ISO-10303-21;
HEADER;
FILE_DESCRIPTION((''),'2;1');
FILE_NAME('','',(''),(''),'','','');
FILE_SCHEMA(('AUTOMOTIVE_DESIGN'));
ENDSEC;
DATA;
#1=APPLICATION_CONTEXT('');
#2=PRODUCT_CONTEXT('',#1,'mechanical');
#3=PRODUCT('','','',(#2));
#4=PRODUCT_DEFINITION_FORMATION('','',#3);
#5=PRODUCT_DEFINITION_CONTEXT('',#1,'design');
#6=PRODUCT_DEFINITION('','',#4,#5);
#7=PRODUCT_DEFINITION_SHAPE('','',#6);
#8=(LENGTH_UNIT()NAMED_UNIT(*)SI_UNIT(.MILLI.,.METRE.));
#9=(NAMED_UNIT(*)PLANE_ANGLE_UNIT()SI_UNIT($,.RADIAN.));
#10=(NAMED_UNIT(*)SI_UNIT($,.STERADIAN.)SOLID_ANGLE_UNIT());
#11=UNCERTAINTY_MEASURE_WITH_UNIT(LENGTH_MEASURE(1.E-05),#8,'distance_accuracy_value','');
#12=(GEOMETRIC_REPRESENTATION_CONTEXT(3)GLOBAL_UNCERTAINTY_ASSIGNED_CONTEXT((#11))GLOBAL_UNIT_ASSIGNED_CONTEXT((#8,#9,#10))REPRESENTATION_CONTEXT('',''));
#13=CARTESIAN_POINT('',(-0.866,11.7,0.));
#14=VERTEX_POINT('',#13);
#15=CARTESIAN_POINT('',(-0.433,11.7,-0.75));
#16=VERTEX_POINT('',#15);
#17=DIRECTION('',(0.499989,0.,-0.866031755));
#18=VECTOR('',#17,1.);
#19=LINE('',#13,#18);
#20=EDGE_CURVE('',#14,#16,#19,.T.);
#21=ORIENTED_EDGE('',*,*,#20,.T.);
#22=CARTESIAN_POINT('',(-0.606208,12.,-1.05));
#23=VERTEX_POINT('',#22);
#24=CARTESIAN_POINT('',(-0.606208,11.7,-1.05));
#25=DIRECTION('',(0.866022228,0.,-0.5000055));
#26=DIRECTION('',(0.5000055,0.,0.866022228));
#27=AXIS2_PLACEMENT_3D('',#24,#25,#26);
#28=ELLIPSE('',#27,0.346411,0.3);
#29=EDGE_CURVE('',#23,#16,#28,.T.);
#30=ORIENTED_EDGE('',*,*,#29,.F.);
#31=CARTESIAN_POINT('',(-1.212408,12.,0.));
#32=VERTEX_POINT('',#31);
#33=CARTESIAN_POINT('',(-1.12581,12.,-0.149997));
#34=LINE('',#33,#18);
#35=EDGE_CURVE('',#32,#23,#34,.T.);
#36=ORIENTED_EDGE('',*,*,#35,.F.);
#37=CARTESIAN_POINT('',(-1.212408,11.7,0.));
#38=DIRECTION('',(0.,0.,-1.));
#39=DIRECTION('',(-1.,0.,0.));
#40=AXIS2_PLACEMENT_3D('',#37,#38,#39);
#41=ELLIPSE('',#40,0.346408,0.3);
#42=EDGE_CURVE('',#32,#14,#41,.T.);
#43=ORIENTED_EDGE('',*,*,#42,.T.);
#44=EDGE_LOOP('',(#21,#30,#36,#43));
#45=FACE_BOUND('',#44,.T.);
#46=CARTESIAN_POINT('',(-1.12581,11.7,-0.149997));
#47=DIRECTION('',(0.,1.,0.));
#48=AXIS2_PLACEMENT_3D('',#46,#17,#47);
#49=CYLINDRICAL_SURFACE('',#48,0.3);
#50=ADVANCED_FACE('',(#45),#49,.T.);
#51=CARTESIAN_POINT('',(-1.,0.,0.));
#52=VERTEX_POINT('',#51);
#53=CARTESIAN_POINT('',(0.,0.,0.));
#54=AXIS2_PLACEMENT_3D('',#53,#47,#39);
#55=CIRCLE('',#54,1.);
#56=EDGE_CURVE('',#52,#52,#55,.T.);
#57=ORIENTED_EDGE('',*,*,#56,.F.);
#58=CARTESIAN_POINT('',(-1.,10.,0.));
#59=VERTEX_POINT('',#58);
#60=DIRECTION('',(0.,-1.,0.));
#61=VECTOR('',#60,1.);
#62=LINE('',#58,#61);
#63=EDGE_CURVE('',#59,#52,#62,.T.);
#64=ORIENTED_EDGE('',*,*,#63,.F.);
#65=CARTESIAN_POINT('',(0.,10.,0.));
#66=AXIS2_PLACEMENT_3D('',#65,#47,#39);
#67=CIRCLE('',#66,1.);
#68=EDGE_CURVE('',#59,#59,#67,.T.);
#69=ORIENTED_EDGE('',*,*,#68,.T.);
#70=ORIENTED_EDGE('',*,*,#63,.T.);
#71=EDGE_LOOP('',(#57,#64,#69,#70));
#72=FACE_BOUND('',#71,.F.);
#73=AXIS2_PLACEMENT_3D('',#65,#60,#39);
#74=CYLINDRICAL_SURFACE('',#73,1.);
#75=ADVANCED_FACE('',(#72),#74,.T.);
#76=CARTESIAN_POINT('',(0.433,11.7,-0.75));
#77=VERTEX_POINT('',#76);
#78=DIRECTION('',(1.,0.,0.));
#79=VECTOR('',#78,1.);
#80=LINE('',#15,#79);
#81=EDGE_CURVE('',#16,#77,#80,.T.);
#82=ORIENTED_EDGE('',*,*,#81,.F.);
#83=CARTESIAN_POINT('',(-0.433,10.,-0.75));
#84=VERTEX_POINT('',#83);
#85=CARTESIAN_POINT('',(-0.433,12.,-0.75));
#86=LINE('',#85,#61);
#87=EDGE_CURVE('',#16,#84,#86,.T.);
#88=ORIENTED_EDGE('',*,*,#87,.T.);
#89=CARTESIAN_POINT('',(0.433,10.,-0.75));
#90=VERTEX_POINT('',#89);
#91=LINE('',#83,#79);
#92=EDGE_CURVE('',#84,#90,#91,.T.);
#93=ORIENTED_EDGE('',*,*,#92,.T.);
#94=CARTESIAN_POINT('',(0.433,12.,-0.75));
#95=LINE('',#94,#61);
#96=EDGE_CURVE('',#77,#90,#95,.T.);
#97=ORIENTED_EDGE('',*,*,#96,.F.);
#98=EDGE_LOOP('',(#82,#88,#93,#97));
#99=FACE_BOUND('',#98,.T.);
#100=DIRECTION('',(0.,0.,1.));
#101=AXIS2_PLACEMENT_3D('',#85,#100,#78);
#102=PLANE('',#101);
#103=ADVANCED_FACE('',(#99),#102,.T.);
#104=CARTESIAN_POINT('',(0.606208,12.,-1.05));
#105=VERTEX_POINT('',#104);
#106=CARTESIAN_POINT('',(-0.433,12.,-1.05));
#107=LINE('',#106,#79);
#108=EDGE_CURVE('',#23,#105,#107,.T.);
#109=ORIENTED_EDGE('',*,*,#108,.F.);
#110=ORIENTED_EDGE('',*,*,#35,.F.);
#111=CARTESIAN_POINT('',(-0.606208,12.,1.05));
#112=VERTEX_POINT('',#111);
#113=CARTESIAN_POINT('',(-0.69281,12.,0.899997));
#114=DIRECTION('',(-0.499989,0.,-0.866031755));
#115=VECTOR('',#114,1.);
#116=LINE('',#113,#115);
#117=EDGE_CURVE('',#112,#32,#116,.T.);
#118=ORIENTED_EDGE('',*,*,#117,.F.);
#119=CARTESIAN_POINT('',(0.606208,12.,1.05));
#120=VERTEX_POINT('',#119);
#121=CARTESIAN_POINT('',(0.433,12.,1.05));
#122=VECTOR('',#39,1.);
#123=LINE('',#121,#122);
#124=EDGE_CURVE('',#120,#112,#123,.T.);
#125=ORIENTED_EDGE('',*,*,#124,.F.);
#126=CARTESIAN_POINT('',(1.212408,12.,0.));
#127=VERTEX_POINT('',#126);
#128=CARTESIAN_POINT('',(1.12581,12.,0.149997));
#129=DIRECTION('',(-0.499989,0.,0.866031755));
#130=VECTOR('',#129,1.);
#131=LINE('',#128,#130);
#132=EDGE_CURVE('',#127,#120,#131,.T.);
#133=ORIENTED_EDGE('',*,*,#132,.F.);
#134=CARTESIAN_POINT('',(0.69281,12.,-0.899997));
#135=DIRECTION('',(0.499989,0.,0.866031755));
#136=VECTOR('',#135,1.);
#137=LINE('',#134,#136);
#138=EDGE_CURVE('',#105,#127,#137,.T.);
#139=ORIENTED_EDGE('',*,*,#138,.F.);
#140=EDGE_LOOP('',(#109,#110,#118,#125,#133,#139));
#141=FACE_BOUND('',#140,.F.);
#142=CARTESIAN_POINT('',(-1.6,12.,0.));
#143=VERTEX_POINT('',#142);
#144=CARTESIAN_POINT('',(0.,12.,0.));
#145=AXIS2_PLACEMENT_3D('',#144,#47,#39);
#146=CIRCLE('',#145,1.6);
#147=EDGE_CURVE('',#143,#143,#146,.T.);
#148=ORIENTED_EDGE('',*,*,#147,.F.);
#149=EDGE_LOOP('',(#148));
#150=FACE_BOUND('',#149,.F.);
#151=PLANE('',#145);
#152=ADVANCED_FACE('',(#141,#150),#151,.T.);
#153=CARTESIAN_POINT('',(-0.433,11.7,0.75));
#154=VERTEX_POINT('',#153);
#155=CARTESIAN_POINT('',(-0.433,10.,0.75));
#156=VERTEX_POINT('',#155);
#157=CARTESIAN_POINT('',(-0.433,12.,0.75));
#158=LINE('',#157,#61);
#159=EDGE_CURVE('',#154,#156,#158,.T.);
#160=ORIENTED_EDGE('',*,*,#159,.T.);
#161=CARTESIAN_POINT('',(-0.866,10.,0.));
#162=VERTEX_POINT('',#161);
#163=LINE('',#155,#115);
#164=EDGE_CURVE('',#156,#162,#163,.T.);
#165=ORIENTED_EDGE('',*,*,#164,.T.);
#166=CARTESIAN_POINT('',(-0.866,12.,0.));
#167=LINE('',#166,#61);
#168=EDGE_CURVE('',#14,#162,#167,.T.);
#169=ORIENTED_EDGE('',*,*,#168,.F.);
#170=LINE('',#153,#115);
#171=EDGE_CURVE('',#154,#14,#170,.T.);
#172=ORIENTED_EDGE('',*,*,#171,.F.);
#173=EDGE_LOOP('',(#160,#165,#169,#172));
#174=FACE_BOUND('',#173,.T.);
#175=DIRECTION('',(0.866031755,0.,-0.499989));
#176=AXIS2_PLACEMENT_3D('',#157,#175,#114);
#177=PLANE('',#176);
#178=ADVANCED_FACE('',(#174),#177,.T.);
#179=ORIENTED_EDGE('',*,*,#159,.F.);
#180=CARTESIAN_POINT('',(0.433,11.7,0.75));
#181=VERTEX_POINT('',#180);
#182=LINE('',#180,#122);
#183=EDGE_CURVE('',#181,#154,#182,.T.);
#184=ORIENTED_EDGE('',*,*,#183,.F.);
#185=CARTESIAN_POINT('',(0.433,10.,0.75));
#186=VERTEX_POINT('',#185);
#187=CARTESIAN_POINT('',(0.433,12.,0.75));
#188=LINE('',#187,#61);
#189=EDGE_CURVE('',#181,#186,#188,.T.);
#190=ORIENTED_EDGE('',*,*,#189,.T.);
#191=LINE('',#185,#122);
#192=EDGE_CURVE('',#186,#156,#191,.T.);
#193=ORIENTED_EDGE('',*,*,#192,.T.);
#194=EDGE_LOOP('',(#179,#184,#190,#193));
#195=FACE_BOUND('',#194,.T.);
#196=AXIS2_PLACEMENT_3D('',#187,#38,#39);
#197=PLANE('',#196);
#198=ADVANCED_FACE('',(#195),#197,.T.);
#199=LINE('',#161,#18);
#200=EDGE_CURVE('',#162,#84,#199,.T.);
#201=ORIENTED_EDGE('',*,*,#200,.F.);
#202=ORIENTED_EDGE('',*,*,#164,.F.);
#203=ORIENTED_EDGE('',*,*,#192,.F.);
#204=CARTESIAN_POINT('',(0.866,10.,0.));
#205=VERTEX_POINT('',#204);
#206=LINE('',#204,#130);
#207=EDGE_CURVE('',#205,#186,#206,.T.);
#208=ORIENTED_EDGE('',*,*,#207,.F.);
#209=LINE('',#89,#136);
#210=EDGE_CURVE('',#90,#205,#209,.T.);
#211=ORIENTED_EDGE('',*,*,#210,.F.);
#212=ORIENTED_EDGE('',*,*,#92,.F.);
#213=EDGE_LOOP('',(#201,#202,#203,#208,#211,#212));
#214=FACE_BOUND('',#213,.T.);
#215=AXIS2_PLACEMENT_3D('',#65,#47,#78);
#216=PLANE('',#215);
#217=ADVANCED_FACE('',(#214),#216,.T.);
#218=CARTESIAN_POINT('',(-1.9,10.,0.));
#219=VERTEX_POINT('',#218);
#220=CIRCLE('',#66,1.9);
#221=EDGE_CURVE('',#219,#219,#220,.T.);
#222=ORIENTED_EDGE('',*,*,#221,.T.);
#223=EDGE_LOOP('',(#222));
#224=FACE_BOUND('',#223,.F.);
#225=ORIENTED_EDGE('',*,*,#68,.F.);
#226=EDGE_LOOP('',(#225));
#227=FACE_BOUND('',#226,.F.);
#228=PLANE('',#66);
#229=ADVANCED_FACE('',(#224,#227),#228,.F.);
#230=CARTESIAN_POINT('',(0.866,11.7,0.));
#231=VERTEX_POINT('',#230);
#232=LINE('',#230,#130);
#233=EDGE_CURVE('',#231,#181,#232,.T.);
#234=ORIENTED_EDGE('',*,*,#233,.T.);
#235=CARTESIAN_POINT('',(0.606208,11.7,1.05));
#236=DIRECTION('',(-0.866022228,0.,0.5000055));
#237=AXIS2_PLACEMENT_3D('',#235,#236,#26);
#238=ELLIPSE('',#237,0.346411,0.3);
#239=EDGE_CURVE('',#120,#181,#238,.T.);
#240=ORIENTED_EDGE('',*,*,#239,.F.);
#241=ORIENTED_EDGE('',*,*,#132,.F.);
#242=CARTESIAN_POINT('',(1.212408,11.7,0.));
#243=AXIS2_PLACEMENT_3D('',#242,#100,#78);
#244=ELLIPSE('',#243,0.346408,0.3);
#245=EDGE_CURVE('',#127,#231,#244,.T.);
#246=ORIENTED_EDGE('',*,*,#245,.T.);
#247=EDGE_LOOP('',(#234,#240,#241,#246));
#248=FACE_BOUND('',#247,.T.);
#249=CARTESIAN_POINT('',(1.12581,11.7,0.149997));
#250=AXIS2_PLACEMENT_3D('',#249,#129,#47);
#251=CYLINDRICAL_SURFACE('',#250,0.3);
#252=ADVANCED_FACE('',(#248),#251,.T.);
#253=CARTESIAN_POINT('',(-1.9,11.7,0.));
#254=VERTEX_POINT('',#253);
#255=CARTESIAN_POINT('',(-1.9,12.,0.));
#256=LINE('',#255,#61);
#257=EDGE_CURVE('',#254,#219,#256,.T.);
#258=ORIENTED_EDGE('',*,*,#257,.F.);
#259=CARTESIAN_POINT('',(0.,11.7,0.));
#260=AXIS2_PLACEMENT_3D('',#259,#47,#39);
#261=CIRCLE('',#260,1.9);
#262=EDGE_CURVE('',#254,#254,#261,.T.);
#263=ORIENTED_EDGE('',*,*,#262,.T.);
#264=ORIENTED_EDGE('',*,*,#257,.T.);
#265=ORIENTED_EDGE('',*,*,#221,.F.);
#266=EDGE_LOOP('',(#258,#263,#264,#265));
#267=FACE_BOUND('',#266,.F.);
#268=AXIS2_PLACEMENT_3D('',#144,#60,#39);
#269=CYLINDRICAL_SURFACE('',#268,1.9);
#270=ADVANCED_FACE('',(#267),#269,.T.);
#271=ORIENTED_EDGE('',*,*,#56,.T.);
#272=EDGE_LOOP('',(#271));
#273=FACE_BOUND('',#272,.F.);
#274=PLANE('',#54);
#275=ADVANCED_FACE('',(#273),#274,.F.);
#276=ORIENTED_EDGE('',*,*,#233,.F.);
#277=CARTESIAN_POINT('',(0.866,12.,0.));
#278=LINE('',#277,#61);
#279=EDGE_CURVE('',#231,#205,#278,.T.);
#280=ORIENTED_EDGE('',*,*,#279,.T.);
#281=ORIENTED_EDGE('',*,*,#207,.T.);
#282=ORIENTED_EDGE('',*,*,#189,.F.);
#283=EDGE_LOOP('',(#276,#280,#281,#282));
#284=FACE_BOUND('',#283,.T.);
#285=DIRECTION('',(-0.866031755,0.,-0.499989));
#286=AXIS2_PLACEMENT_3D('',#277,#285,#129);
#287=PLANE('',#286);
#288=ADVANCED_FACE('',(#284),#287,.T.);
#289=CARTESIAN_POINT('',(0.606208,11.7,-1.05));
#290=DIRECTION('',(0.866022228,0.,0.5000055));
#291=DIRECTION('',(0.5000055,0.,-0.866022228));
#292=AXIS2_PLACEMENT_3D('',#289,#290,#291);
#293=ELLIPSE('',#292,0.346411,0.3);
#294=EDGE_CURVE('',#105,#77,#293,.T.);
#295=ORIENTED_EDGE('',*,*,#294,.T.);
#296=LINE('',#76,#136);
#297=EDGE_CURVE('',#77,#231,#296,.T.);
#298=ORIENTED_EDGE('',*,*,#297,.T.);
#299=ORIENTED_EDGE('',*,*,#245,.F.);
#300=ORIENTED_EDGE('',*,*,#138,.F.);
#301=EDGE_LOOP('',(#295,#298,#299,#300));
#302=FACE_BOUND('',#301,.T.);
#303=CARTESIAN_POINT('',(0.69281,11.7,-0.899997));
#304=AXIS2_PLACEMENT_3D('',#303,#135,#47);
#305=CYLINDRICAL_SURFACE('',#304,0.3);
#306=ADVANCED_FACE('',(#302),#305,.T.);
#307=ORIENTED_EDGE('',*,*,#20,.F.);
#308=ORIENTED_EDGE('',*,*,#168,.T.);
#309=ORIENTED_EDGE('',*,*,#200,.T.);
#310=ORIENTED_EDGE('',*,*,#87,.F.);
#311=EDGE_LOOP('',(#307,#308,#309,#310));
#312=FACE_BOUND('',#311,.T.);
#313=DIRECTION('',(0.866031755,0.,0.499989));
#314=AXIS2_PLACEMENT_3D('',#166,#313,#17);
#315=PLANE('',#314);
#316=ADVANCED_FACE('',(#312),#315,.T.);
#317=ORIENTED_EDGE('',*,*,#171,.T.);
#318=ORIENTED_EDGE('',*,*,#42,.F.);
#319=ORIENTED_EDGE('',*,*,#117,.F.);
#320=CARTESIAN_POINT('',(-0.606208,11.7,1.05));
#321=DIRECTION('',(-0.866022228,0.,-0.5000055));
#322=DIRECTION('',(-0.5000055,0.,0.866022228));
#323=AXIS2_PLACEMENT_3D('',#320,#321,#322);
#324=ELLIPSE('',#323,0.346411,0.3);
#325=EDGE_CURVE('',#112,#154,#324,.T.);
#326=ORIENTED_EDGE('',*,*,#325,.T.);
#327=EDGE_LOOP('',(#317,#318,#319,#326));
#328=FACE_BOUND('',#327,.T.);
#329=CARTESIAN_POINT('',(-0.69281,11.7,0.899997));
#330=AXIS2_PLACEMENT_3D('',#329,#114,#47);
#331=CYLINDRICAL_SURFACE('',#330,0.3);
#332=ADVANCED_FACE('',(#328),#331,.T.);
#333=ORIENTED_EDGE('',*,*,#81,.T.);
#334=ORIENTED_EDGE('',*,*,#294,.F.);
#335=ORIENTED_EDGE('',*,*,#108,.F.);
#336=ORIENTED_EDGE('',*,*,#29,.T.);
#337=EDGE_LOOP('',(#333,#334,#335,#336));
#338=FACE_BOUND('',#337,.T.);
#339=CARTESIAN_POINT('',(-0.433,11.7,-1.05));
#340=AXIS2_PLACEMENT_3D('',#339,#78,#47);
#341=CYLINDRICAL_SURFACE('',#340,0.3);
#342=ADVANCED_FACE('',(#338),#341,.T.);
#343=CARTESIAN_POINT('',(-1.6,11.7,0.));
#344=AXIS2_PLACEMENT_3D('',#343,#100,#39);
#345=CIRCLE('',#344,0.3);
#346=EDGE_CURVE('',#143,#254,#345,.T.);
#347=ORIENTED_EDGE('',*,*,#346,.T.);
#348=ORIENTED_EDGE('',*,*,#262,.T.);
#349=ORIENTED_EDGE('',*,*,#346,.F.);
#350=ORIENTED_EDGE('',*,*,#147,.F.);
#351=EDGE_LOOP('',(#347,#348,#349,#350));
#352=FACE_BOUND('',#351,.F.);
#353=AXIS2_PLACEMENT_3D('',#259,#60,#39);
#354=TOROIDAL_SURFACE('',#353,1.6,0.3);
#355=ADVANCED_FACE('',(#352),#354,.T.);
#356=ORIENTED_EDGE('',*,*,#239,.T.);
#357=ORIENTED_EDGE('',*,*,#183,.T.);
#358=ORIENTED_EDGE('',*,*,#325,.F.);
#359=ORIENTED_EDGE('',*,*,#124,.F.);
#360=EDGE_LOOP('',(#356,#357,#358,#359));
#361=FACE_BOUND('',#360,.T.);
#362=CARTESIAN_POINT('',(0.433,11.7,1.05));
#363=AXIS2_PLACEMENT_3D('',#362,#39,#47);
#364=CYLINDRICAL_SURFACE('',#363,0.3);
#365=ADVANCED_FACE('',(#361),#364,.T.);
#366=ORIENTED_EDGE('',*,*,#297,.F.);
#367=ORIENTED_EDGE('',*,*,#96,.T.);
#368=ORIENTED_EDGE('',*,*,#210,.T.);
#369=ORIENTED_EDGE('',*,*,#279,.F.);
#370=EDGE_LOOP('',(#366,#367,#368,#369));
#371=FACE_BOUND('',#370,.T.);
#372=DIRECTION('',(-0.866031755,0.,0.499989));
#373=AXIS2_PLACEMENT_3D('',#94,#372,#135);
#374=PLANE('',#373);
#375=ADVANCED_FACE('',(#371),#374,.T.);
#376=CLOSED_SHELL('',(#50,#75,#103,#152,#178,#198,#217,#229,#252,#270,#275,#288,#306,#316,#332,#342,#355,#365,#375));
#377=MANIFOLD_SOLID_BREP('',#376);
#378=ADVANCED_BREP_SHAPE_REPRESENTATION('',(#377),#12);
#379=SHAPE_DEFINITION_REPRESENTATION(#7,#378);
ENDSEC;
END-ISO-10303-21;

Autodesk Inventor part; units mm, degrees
ref_plane "YZ Plane" through (0, 0, 0) normal (1, 0, 0) x (0, 1, 0)
ref_plane "XZ Plane" through (0, 0, 0) normal (0, 1, 0) x (-1, 0, 0)
ref_plane "XY Plane" through (0, 0, 0) normal (0, 0, 1) x (1, 0, 0)
sketch "Sketch1" plane through (0, 0, 0) normal (0, 0, 1) x (1, 0, 0)
  line L0 (0, 0) -> (0, 12)
  line L1 (0, 12) -> (-1.9, 12)
  line L2 (-1.9, 12) -> (-1.9, 10)
  line L3 (-1.9, 10) -> (-1, 10)
  line L4 (-1, 10) -> (-1, 0)
  line L5 (-1, 0) -> (0, 0)
  dimension "d0" = 10
  dimension "d1" = 2
  dimension "d2" = 1
  dimension "d3" = 1.9
revolve "Revolution1" add sketch "Sketch1" angle 360 about axis through (0, 0, 0) along (0, 1, 0)
sketch "Sketch2" plane through (0, 12, 0) normal (0, 1, 0) x (1, 0, 0)
  line L0 (-0.433, -0.75) -> (-0.866, 0)
  line L1 (-0.866, 0) -> (-0.433, 0.75)
  line L2 (-0.433, 0.75) -> (0.433, 0.75)
  line L3 (0.433, 0.75) -> (0.866, 0)
  line L4 (0.866, 0) -> (0.433, -0.75)
  line L5 (0.433, -0.75) -> (-0.433, -0.75)
  point P0 (0, 0)
  point P1 (0, 0)
  dimension "d5" = 1.5
extrude "Extrusion1" cut sketch "Sketch2" against normal blind 2
fillet "Fillet1" radius 0.3 6 edges at (0, 12, -0.75) (0.6495, 12, -0.375) (0.6495, 12, 0.375) (0, 12, 0.75) (-0.6495, 12, 0.375) (-0.6495, 12, -0.375)
fillet "Fillet2" radius 0.3 1 edges at (1.9, 12, 0)
thread "Thread1" size "M2x0.4" class "6g" standard "ANSI Metric M Profile" length 11.5
properties part number "Screw_StainlessSteal_M2_SocketCap_10mm" material "Stainless Steel"
